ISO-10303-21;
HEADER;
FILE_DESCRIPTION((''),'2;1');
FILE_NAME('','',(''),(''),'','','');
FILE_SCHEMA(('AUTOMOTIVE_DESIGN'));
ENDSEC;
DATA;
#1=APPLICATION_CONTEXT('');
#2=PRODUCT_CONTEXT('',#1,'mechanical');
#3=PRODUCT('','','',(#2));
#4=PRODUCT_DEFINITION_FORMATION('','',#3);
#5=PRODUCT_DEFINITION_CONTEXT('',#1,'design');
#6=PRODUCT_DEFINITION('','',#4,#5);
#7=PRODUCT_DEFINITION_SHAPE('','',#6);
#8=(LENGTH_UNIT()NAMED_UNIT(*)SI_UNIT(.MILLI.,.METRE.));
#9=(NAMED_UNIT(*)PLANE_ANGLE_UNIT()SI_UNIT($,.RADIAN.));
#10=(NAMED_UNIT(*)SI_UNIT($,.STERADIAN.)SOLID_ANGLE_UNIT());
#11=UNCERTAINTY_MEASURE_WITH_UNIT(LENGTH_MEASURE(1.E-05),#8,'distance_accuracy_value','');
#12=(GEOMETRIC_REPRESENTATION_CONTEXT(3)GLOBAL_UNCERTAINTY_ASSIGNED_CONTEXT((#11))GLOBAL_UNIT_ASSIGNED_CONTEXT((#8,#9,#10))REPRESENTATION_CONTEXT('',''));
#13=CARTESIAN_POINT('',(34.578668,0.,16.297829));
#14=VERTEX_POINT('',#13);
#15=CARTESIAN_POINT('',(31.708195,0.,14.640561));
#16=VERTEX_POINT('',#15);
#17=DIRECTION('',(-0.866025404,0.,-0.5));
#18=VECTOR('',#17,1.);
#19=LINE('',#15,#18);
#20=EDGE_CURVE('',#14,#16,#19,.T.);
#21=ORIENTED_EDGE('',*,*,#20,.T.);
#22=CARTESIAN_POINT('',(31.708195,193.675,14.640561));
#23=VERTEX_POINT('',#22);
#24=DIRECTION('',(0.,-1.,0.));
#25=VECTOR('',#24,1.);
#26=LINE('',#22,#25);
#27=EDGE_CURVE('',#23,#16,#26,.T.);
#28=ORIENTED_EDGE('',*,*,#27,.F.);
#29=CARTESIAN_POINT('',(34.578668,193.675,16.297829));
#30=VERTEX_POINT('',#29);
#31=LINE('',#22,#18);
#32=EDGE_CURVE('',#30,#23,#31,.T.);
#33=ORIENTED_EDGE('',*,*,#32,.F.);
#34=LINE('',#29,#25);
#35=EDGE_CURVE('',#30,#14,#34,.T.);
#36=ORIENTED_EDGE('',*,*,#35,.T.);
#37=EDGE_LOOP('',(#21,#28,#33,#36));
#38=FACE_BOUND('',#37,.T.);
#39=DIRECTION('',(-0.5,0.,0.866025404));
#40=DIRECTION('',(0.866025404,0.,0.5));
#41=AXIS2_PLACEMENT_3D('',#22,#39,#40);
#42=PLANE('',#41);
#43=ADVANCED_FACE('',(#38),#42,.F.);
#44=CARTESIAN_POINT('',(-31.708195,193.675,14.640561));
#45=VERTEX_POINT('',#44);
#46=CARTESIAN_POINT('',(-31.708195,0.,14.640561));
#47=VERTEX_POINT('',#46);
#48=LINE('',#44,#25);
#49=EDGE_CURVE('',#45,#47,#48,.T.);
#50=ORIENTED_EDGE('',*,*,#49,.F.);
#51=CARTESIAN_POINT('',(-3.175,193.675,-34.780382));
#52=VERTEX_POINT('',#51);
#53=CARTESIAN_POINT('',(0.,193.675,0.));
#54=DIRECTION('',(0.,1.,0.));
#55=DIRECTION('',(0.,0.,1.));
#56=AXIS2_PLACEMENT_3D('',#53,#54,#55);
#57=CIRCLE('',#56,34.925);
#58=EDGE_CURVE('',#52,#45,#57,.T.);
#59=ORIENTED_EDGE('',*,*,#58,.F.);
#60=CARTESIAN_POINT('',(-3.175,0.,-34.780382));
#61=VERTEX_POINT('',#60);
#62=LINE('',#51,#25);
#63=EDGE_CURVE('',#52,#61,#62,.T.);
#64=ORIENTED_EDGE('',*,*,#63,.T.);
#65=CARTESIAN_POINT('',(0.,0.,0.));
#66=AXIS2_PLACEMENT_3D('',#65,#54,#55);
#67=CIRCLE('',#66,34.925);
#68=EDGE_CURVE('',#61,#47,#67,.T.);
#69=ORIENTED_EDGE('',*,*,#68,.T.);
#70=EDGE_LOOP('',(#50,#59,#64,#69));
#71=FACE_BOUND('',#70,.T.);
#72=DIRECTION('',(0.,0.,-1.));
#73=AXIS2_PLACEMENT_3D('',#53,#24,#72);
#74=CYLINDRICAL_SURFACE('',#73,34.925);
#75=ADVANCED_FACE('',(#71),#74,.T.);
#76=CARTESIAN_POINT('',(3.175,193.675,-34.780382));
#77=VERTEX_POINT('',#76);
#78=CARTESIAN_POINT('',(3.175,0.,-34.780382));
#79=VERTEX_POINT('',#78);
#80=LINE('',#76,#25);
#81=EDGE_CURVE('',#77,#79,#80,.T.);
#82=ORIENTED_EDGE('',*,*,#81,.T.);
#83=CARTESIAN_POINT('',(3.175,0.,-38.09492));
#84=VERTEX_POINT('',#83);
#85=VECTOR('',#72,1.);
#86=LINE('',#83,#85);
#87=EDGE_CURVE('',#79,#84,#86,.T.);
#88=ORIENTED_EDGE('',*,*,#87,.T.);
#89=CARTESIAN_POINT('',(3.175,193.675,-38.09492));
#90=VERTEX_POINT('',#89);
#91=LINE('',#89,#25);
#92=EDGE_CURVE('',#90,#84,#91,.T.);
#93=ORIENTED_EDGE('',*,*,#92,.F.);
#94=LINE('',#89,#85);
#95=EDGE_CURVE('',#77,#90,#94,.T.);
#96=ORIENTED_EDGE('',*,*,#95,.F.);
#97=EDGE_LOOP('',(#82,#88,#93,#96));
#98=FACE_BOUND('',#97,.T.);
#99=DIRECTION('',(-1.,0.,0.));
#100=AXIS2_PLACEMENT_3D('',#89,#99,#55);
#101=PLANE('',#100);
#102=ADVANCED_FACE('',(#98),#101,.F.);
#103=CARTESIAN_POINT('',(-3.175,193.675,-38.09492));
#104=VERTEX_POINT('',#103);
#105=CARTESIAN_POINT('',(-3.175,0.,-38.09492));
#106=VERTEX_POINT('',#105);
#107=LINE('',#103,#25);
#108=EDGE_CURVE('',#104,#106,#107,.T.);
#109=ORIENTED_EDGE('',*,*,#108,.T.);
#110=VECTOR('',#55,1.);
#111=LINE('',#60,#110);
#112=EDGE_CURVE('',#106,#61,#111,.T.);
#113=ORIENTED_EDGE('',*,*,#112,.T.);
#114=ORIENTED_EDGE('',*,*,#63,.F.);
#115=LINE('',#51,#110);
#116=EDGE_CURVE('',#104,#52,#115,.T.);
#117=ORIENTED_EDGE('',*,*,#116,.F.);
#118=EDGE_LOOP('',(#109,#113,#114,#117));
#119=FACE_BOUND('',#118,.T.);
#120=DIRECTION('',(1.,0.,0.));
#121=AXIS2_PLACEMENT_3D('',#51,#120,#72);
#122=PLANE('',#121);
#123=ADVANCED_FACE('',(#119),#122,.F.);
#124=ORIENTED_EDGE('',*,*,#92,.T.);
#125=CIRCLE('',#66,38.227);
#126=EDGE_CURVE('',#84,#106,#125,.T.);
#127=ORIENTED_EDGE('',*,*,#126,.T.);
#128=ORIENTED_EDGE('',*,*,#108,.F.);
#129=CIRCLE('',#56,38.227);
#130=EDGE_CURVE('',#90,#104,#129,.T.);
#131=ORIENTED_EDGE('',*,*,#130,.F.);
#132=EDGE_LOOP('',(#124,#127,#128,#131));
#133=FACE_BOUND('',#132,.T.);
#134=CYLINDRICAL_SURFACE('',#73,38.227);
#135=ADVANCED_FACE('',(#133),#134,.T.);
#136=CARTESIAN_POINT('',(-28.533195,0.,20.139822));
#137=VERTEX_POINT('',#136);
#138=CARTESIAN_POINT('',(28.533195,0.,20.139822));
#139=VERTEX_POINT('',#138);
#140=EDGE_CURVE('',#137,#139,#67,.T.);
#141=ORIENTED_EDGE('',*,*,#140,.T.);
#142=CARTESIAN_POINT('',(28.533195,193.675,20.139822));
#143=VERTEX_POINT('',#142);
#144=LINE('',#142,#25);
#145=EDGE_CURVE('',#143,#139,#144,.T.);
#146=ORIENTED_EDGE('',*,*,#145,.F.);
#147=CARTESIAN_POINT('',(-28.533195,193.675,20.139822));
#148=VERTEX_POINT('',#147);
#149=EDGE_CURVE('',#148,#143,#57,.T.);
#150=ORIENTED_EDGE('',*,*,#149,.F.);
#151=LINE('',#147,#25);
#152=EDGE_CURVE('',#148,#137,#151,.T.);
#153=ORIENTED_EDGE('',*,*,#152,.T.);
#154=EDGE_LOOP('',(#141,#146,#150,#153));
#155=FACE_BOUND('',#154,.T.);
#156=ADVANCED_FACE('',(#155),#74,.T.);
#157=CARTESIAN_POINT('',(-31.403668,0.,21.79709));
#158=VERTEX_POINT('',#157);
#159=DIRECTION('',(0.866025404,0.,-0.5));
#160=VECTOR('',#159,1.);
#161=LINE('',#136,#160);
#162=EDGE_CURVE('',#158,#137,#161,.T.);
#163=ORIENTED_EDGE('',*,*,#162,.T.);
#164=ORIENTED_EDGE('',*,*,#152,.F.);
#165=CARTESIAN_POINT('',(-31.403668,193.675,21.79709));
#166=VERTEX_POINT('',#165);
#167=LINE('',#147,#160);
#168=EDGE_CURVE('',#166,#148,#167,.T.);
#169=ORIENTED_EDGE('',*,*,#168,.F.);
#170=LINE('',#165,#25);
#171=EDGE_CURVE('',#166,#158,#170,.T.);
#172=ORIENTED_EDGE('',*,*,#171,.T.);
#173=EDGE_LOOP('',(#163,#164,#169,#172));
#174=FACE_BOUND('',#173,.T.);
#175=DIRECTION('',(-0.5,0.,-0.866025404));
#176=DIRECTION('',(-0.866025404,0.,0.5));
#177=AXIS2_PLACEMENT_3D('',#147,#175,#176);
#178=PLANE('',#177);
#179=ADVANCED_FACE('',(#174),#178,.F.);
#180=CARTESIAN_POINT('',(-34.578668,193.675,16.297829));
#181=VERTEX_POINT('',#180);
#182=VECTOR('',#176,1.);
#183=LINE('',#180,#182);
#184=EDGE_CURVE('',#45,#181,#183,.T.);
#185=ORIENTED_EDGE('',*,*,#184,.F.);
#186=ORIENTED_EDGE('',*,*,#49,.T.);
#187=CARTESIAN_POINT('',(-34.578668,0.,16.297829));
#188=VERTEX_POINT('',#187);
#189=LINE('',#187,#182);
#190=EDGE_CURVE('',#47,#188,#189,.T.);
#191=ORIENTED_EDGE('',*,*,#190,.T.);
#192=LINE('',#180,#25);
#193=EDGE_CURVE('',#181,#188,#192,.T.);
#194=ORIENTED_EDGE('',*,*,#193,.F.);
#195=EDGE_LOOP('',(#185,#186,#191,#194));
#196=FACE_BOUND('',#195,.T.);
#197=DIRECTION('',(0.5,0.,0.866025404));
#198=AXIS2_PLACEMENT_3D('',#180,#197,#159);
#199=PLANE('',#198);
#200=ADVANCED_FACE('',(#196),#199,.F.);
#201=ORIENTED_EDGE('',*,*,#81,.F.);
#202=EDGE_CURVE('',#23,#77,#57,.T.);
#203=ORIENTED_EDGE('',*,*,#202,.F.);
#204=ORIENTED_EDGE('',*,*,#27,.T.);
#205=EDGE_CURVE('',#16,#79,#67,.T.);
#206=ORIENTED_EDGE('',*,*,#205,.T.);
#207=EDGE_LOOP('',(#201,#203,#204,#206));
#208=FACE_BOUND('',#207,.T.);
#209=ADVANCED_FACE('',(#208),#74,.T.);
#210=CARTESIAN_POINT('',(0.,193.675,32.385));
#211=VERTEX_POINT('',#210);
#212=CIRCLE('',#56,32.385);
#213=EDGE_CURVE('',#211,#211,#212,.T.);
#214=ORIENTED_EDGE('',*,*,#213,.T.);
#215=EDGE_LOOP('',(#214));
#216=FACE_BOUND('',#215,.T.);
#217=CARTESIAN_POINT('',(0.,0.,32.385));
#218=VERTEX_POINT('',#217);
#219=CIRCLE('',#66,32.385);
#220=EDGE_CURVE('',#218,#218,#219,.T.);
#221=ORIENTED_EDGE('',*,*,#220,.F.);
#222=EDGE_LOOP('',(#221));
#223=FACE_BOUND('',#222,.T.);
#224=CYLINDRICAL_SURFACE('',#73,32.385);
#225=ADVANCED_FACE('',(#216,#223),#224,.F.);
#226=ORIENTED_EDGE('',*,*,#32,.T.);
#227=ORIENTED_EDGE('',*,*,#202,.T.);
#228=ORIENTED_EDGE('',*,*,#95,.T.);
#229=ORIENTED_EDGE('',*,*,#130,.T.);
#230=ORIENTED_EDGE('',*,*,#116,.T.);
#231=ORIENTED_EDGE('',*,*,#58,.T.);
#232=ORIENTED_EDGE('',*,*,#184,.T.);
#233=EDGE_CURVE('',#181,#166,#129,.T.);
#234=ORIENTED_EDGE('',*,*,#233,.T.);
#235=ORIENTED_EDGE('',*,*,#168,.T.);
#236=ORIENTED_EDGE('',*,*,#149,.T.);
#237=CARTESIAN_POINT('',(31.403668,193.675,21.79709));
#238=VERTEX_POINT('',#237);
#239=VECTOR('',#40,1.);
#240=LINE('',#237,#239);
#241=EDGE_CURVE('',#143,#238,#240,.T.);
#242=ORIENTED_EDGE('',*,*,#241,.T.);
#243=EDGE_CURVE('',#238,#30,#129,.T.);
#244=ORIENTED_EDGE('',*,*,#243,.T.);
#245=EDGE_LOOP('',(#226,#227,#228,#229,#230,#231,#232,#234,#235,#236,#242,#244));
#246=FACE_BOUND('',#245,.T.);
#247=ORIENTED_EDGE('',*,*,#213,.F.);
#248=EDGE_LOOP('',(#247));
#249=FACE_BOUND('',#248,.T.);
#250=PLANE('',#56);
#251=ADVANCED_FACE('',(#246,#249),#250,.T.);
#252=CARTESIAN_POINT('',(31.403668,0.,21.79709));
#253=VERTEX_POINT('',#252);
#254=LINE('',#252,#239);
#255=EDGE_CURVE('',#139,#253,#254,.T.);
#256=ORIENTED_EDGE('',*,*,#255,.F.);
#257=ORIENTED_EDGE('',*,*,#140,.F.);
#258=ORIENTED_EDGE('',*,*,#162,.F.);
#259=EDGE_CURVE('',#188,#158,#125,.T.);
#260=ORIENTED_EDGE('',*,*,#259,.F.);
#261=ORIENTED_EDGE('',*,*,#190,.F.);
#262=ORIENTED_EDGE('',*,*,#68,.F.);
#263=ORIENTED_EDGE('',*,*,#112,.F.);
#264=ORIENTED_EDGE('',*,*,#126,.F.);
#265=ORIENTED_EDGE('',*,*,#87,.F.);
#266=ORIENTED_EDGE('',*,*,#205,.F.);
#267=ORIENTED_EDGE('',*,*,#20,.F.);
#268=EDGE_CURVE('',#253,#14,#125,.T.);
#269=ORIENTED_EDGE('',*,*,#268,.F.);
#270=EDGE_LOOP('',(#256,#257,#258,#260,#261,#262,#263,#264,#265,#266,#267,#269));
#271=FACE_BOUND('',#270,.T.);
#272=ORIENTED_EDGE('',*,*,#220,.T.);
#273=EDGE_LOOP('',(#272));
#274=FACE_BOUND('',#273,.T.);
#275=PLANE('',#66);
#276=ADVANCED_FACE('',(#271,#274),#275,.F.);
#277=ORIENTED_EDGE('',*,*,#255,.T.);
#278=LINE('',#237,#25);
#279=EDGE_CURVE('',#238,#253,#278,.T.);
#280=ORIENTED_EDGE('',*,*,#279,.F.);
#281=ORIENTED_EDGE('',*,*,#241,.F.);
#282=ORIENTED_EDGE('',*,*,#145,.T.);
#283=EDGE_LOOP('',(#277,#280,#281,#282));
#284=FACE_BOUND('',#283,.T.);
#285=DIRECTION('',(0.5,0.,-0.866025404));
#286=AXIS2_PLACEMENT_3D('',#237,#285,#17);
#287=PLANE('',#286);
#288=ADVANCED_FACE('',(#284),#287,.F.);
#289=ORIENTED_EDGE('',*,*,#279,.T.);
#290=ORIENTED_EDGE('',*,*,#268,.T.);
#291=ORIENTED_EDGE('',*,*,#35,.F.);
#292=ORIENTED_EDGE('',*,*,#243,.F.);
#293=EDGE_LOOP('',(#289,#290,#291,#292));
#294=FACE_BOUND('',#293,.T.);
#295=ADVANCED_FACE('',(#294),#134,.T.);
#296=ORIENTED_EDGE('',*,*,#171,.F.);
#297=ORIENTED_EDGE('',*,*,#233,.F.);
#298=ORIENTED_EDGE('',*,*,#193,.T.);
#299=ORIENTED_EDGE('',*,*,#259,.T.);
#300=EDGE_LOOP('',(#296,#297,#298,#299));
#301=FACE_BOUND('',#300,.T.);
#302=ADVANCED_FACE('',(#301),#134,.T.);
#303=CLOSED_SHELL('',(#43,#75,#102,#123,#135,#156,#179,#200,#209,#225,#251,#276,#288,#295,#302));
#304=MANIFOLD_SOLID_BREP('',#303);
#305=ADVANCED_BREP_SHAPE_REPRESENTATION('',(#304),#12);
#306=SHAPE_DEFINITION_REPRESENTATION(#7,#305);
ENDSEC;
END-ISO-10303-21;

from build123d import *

# Parameters (mm, degrees)
SKETCH1_R           = 32.385
BOSS_EXTRUDE1_DEPTH = 193.675


with BuildPart() as part:
    # Sketch1 → Boss-Extrude1 (new body)
    with BuildSketch(Plane(origin=(0, 0, 0), x_dir=(1, 0, 0), z_dir=(0, 1, 0))):
        with BuildLine():
            Line((-3.175, 34.780382402), (-3.175, 38.094919661))
            ThreePointArc((-3.175, 38.094919661), (0, 38.227), (3.175, 38.094919661))
            Line((3.175, 38.094919661), (3.175, 34.780382402))
            ThreePointArc((3.175, 34.780382402), (30.245937227, 17.4625), (31.708194713, -14.640560544))
            Line((31.708194713, -14.640560544), (34.578668182, -16.297829174))
            ThreePointArc((34.578668182, -16.297829174), (33.10555311, -19.1135), (31.403668182, -21.797090488))
            Line((31.403668182, -21.797090488), (28.533194713, -20.139821858))
            ThreePointArc((28.533194713, -20.139821858), (0, -34.925), (-28.533194713, -20.139821858))
            Line((-28.533194713, -20.139821858), (-31.403668182, -21.797090488))
            ThreePointArc((-31.403668182, -21.797090488), (-33.10555311, -19.1135), (-34.578668182, -16.297829174))
            Line((-34.578668182, -16.297829174), (-31.708194713, -14.640560544))
            ThreePointArc((-31.708194713, -14.640560544), (-30.245937227, 17.4625), (-3.175, 34.780382402))
        make_face()
        Circle(SKETCH1_R, mode=Mode.SUBTRACT)
    extrude(amount=BOSS_EXTRUDE1_DEPTH)


solid = part.part
